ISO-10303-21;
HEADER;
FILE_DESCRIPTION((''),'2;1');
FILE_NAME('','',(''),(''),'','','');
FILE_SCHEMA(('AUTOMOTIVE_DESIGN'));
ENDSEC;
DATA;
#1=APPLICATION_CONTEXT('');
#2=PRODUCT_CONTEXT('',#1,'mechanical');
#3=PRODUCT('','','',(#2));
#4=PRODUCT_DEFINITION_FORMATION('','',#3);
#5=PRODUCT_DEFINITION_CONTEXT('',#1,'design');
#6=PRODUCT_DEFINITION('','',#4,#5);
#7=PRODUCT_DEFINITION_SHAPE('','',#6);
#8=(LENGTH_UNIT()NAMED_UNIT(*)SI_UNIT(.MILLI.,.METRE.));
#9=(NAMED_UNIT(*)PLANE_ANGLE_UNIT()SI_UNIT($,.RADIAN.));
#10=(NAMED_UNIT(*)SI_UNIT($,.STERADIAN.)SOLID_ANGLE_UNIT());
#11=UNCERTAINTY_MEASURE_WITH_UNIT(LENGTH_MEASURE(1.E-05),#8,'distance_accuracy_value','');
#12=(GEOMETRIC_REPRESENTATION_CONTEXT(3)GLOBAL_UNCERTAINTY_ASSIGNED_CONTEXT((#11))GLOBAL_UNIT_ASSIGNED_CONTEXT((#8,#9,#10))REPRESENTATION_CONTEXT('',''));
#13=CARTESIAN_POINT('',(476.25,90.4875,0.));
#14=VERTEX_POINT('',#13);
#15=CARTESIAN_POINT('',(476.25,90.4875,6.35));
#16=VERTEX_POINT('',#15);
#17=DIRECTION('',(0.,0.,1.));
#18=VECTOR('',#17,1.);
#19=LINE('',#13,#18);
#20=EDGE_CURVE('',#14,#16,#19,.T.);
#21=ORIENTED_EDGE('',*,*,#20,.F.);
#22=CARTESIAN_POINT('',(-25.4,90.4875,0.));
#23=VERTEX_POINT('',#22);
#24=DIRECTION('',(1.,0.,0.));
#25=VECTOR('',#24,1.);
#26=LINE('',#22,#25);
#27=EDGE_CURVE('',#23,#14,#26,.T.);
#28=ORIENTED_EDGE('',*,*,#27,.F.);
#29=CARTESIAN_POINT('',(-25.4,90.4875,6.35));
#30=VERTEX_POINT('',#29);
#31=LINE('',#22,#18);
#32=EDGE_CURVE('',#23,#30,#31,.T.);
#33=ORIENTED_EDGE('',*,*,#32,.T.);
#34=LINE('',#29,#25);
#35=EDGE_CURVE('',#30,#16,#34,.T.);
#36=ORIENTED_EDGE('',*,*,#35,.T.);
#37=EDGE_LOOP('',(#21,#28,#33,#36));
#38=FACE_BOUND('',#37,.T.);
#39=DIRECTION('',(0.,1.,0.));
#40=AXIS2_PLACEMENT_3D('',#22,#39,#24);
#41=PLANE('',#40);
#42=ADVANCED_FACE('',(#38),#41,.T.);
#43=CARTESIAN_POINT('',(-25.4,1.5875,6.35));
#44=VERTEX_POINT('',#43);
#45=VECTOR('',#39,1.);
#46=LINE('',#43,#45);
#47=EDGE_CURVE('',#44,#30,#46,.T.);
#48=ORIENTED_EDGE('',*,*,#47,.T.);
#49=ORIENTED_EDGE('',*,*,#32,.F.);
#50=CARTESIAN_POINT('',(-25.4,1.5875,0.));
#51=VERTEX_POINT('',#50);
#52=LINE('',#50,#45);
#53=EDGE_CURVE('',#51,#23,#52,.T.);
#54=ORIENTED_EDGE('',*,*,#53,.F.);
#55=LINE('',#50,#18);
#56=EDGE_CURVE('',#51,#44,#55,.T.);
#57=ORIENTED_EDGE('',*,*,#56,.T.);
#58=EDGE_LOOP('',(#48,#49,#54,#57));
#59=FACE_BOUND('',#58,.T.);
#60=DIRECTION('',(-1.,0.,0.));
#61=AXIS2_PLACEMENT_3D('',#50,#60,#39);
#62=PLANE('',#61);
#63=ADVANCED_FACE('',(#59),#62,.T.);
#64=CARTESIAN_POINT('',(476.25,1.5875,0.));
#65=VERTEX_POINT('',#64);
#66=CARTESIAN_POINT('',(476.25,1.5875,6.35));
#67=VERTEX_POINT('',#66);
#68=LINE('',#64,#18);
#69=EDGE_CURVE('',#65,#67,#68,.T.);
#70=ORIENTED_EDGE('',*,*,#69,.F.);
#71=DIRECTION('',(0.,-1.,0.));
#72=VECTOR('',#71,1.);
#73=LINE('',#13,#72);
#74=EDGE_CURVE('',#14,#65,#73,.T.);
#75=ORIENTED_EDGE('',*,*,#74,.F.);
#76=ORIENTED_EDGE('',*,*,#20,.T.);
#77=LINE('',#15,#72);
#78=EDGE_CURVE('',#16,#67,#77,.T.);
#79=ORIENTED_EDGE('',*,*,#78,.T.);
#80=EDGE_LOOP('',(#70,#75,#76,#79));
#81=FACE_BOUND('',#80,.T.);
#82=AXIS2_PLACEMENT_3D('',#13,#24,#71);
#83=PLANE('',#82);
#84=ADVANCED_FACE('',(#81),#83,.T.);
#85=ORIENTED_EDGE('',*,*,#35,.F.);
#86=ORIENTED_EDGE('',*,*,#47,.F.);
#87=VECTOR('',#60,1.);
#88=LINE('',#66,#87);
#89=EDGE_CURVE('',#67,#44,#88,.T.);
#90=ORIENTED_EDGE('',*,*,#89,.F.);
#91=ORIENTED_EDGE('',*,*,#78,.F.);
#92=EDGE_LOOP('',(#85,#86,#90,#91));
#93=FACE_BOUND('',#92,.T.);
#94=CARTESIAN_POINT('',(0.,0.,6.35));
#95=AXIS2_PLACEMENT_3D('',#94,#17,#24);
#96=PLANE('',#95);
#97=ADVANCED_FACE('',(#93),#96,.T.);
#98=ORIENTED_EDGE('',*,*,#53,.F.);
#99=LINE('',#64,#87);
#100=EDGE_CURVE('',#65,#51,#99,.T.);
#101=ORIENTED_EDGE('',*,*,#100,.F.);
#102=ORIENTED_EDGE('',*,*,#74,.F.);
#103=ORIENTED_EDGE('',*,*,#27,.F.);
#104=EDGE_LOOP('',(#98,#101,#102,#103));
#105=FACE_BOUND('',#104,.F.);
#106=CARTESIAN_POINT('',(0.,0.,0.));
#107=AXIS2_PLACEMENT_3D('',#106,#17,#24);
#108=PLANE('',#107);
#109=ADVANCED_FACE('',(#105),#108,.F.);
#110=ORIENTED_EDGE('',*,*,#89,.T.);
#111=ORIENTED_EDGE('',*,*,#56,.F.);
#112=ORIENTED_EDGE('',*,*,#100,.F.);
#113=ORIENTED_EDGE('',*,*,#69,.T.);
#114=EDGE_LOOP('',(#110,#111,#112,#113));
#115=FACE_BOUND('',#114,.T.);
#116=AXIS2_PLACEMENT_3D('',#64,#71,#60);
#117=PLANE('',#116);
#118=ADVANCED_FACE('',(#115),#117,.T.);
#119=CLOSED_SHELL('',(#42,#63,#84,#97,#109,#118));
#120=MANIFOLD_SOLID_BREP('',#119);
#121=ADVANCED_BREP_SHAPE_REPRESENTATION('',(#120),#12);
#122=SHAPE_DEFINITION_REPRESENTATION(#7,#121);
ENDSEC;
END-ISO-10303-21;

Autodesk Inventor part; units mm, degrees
ref_plane "YZ Plane" through (0, 0, 0) normal (1, 0, 0) x (0, 1, 0)
ref_plane "XZ Plane" through (0, 0, 0) normal (0, 1, 0) x (-1, 0, 0)
ref_plane "XY Plane" through (0, 0, 0) normal (0, 0, 1) x (1, 0, 0)
sketch "Sketch1" plane through (0, 0, 0) normal (0, 0, 1) x (1, 0, 0)
  line L0 (-25.4, 90.4875) -> (476.25, 90.4875)
  line L1 (476.25, 90.4875) -> (476.25, 1.5875)
  line L2 (476.25, 1.5875) -> (-25.4, 1.5875)
  line L3 (-25.4, 1.5875) -> (-25.4, 90.4875)
  dimension "d0" = 88.9
  dimension "d1" = 501.65
extrude "Extrusion1" add sketch "Sketch1" along normal blind 6.35
properties part number "FE-00018-03"
